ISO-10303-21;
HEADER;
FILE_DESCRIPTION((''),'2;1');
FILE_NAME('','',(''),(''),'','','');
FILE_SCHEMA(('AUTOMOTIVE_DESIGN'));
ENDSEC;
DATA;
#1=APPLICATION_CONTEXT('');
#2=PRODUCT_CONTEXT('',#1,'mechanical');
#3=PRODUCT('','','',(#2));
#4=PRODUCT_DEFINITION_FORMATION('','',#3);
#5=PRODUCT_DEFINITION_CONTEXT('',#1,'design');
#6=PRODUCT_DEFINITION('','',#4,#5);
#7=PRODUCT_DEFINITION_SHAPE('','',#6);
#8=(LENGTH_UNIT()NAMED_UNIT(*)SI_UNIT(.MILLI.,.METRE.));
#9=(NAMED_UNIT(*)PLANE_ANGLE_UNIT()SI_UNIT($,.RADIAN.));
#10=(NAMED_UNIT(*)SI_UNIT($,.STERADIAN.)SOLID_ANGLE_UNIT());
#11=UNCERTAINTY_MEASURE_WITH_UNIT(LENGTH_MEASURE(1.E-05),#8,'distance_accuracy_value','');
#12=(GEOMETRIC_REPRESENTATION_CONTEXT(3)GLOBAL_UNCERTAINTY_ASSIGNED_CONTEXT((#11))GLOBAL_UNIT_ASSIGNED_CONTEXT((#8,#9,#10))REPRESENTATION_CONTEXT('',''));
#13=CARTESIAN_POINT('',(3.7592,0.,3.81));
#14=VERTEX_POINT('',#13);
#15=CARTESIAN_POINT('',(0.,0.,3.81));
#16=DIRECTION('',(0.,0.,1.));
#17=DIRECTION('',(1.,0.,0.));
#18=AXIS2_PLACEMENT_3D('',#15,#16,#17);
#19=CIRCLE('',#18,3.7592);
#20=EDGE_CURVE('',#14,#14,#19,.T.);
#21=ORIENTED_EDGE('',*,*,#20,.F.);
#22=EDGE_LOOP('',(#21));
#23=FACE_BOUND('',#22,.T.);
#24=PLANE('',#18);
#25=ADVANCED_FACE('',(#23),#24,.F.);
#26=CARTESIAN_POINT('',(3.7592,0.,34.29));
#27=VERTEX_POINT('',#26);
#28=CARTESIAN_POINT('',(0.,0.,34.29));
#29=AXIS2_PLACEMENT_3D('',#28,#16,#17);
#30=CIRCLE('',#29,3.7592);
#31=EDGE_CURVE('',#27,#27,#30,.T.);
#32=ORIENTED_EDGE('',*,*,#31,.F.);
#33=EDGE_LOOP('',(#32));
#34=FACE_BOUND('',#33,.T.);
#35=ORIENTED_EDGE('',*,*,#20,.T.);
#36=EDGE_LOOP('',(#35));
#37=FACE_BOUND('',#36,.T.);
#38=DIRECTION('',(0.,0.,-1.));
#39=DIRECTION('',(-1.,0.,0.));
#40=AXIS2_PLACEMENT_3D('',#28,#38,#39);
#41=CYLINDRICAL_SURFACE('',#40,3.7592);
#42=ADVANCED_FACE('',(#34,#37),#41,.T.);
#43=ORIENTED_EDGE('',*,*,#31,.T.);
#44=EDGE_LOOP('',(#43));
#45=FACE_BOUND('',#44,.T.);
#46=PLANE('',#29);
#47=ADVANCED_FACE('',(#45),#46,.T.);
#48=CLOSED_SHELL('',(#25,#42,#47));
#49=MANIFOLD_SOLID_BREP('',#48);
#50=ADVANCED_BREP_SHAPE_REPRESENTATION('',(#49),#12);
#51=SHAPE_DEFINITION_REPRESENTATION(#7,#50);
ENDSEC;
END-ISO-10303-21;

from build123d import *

# Parameters (mm, degrees)
SKETCH1_R          = 4.699
BASE_EXTRUDE_DEPTH = 38.1
SCALE1_SCALE       = 0.8


with BuildPart() as part:
    # Sketch1 → Base-Extrude (new body)
    with BuildSketch(Plane.XY):
        Circle(SKETCH1_R)
    extrude(amount=BASE_EXTRUDE_DEPTH)


with BuildPart() as part_1:
    # Scale1: scaled about (0, 0, 19.05)
    add(part.part.scale(SCALE1_SCALE).moved(Location((0, 0, 3.81))))


solid = part_1.part
